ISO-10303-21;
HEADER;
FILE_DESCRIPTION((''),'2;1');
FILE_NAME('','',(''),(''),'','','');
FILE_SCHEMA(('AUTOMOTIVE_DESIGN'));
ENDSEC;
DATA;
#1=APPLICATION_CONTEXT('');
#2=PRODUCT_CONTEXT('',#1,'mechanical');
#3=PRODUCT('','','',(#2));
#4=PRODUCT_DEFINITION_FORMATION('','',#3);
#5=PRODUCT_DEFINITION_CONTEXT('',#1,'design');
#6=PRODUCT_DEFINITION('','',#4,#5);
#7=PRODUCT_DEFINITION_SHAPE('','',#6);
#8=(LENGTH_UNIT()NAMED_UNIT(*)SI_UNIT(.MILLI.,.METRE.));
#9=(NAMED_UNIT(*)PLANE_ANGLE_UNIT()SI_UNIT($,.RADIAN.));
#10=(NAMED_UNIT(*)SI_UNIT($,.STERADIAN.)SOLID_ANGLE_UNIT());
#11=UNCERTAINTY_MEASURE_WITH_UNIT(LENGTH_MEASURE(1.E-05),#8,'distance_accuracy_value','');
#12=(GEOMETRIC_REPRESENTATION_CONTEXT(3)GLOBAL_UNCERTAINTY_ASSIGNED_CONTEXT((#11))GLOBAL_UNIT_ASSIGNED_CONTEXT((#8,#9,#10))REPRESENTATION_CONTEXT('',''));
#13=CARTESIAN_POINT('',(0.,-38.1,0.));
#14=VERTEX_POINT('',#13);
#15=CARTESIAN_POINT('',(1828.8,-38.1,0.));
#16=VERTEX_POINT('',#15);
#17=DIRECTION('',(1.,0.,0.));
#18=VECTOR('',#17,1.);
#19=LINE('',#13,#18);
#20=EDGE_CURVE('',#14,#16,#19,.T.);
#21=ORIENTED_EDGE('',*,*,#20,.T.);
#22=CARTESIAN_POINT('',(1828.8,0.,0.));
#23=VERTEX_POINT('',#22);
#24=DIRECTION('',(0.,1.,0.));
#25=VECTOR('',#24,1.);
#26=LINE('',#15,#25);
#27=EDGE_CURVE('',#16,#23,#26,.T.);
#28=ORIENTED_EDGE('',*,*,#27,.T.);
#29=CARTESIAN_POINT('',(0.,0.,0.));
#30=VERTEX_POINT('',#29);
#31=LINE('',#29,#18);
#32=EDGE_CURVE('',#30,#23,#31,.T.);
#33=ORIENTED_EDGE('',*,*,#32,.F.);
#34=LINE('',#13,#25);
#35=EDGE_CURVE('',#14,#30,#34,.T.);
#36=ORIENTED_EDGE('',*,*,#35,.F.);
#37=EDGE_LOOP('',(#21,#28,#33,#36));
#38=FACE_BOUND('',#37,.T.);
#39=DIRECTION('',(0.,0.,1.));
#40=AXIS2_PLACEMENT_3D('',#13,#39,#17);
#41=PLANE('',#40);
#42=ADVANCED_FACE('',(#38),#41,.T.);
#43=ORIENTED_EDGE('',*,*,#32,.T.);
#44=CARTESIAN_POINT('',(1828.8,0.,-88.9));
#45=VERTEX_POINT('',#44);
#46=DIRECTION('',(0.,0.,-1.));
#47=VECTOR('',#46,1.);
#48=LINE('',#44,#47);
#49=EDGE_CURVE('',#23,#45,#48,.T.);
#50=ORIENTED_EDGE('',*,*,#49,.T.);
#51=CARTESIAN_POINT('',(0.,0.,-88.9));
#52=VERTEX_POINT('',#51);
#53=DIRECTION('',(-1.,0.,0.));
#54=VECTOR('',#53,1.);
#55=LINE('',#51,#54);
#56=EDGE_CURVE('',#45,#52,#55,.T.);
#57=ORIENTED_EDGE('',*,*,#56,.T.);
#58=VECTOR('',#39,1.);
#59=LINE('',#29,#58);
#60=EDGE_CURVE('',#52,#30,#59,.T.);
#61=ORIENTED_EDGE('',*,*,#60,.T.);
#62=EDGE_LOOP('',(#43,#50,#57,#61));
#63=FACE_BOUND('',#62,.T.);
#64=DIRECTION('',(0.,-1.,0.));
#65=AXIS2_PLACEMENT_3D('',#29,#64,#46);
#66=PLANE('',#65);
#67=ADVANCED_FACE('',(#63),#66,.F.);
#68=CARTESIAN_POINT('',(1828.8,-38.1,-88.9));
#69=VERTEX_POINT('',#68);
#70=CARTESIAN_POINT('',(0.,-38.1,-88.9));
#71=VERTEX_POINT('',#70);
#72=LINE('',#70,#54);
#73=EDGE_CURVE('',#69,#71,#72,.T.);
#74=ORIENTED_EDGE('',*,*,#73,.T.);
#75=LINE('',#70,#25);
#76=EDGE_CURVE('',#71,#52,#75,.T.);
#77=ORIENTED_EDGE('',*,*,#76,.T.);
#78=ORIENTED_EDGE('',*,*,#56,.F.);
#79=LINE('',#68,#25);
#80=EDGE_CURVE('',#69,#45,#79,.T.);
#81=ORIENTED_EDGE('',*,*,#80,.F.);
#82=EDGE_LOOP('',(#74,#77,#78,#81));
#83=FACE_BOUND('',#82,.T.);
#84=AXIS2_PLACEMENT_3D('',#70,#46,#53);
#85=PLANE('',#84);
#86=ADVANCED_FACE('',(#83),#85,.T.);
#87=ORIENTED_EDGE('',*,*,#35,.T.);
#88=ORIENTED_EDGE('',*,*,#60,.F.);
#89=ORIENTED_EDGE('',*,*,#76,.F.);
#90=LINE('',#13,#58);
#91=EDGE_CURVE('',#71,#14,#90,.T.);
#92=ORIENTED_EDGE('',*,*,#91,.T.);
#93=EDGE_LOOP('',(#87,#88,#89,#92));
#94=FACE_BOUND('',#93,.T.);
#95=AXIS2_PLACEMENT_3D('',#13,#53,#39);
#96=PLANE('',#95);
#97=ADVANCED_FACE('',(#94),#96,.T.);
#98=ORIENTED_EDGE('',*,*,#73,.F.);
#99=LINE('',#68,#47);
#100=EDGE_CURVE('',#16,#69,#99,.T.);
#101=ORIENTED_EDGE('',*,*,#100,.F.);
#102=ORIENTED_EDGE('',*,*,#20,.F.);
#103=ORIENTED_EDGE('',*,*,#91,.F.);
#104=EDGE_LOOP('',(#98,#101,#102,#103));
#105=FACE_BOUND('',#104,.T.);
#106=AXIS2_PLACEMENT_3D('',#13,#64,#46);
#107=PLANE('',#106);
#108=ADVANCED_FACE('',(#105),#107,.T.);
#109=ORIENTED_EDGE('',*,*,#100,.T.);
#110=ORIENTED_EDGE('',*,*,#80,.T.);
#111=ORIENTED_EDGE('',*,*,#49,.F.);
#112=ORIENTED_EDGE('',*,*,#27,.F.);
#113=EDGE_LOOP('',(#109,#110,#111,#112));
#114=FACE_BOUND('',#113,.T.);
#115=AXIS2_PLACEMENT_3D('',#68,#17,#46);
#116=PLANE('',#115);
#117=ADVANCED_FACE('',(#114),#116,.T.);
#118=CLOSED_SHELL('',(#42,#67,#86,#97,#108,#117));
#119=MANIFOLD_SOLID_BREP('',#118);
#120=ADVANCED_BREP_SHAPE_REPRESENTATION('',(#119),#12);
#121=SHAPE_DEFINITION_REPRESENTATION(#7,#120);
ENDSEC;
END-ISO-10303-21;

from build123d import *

# Parameters (mm, degrees)
SKETCH1_W           = 1828.8
SKETCH1_H           = 88.9
BOSS_EXTRUDE1_DEPTH = 38.1


with BuildPart() as part:
    # Sketch1 → Boss-Extrude1 (new body)
    with BuildSketch(Plane(origin=(0, 0, 0), x_dir=(1, 0, 0), z_dir=(0, 1, 0))):
        with Locations((914.4, 44.45)):
            Rectangle(SKETCH1_W, SKETCH1_H)
    extrude(amount=-BOSS_EXTRUDE1_DEPTH)


solid = part.part
